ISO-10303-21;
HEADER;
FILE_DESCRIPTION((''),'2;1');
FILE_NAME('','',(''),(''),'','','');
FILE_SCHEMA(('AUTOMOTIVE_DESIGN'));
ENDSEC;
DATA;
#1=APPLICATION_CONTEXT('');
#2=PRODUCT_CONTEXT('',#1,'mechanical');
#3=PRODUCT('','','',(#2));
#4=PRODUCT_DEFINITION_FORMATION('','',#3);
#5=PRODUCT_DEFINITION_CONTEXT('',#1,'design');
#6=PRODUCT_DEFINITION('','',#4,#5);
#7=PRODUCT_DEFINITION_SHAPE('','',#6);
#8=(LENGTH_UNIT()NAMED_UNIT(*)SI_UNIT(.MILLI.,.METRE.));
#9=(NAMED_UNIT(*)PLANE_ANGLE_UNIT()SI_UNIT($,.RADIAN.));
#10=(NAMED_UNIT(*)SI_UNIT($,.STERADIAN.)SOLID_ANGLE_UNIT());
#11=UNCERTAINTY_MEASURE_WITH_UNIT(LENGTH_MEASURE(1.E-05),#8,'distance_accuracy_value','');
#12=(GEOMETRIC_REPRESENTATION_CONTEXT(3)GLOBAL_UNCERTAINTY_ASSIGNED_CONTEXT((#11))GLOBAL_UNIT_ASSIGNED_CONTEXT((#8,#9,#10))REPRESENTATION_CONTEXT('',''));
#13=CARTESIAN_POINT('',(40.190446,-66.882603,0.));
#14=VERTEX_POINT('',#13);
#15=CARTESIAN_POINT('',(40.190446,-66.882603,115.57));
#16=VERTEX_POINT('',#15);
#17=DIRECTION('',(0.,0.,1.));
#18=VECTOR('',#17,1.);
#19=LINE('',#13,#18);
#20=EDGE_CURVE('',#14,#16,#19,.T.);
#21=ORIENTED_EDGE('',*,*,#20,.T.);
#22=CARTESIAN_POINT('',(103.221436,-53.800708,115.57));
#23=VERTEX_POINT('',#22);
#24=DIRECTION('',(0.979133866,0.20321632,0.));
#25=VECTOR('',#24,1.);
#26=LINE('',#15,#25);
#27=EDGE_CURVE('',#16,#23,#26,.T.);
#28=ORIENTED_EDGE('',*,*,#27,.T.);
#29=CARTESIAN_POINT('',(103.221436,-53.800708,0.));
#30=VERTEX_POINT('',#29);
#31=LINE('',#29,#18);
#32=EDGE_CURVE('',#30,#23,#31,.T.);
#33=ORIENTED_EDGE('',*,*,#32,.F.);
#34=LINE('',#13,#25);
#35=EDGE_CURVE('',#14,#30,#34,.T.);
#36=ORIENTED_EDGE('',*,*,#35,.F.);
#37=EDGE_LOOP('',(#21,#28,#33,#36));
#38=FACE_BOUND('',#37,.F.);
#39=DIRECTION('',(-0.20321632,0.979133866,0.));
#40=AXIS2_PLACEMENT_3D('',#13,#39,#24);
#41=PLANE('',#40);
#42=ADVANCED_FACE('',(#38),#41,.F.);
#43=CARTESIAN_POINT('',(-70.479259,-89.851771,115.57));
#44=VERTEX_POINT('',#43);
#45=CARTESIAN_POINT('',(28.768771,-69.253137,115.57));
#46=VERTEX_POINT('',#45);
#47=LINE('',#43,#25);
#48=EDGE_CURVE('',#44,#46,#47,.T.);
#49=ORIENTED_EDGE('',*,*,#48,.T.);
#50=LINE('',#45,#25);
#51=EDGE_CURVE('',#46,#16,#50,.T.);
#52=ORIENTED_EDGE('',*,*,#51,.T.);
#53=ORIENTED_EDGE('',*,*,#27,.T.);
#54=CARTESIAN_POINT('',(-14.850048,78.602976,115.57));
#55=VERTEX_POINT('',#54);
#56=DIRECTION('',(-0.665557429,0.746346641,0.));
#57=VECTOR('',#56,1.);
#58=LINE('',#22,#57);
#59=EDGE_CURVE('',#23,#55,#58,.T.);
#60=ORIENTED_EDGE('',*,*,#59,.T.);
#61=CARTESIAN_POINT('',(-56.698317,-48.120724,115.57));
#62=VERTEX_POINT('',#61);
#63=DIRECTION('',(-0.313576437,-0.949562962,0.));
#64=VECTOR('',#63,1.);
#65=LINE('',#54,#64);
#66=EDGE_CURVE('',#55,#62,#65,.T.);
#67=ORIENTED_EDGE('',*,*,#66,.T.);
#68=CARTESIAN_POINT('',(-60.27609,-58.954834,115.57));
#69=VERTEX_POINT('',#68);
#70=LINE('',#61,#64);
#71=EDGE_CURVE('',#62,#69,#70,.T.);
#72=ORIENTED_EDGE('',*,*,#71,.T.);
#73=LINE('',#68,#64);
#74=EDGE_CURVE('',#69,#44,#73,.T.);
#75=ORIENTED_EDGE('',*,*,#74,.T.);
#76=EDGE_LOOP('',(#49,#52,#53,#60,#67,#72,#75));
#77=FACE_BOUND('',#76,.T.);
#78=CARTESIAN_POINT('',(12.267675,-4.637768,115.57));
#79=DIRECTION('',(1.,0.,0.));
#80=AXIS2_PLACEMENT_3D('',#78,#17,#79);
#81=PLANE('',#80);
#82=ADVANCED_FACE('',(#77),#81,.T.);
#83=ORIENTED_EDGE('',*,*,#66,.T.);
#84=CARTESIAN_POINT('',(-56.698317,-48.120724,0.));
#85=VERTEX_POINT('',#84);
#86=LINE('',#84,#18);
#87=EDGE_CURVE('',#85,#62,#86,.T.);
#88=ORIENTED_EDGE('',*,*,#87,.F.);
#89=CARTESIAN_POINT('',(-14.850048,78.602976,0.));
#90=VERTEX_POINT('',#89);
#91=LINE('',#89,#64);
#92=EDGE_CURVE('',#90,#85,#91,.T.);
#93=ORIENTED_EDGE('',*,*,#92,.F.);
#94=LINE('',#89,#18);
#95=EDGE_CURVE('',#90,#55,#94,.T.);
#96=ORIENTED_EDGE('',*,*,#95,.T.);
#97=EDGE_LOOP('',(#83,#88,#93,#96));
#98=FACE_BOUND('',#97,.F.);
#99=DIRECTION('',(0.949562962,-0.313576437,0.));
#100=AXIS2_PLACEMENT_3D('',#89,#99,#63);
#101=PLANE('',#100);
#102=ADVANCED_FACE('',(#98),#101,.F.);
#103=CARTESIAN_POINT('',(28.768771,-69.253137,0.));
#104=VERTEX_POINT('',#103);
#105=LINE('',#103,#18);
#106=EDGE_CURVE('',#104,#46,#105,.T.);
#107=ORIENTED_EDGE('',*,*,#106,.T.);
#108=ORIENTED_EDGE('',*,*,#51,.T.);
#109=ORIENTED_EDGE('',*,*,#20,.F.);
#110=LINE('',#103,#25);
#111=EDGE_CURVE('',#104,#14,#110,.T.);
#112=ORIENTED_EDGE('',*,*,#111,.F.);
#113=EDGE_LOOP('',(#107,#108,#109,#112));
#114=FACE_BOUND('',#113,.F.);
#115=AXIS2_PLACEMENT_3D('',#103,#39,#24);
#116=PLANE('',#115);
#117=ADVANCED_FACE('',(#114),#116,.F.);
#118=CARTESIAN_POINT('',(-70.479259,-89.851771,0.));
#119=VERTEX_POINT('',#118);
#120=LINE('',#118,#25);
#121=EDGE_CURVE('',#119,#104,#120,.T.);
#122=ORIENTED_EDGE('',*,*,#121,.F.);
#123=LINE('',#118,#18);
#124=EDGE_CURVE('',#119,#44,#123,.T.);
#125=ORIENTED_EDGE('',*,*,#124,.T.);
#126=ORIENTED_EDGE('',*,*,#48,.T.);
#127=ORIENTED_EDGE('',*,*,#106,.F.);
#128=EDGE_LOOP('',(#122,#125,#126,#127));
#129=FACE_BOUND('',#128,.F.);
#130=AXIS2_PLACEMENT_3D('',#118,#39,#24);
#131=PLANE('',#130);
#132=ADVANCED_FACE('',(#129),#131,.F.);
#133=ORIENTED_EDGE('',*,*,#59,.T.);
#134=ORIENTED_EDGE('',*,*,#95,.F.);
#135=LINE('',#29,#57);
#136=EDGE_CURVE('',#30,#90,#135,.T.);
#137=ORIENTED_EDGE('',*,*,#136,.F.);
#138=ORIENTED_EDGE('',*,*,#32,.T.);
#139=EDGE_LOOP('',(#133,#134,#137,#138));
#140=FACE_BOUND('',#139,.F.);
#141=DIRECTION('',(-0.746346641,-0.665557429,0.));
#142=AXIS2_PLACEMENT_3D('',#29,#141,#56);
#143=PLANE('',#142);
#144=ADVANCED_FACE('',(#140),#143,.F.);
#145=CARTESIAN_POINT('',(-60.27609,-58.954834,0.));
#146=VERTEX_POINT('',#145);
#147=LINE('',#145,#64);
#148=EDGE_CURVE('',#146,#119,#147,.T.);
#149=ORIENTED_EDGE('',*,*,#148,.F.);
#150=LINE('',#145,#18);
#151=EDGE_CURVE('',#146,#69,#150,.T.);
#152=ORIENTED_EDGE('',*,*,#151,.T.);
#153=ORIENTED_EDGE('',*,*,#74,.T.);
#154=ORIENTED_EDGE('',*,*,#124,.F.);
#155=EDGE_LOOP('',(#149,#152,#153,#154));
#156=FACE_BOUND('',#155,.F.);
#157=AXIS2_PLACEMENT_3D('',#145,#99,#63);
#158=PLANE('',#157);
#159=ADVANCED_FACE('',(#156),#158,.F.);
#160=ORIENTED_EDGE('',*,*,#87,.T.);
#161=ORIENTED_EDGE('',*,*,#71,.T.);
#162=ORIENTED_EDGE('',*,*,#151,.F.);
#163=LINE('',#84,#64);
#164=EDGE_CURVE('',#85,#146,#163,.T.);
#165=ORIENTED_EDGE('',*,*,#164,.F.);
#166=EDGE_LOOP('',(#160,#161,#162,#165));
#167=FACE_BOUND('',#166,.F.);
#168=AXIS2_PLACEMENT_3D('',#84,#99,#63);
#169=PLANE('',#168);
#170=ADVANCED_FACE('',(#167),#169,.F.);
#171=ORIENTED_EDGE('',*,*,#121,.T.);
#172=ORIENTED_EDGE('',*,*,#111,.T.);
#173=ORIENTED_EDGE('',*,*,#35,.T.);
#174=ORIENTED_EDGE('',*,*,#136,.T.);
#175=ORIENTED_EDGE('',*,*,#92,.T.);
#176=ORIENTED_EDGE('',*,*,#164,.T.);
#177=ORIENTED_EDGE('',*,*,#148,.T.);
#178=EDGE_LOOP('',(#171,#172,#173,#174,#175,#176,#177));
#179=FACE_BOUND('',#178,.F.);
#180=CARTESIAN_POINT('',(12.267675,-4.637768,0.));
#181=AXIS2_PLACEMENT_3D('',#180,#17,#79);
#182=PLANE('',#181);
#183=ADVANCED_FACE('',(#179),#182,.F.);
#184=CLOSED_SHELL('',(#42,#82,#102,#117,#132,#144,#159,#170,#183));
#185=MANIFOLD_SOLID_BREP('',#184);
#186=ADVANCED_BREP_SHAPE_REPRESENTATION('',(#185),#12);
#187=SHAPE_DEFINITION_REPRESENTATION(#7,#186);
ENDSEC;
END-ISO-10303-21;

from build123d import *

# Parameters (mm, degrees)
F1_DEPTH = 115.57


with BuildPart() as f1:
    # F0 (on Top) → F1 (new body)
    with BuildSketch(Plane.XY):
        Polygon((103.221436145, -53.8007080909), (-14.8500475308, 78.6029756424), (-56.6983165312, -48.1207240324), (-0.6158898202, 27.4022637386), (40.1904460134, -66.8826025271), align=None)
        Polygon((28.7687712922, -69.2531371272), (-60.2760904722, -58.9548340499), (-70.4792593606, -89.85177055), align=None)
        Polygon((-0.6158898202, 27.4022637386), (-56.6983165312, -48.1207240324), (-60.2760904722, -58.9548340499), (28.7687712922, -69.2531371272), (40.1904460134, -66.8826025271), align=None)
    extrude(amount=F1_DEPTH)


solid = f1.part
